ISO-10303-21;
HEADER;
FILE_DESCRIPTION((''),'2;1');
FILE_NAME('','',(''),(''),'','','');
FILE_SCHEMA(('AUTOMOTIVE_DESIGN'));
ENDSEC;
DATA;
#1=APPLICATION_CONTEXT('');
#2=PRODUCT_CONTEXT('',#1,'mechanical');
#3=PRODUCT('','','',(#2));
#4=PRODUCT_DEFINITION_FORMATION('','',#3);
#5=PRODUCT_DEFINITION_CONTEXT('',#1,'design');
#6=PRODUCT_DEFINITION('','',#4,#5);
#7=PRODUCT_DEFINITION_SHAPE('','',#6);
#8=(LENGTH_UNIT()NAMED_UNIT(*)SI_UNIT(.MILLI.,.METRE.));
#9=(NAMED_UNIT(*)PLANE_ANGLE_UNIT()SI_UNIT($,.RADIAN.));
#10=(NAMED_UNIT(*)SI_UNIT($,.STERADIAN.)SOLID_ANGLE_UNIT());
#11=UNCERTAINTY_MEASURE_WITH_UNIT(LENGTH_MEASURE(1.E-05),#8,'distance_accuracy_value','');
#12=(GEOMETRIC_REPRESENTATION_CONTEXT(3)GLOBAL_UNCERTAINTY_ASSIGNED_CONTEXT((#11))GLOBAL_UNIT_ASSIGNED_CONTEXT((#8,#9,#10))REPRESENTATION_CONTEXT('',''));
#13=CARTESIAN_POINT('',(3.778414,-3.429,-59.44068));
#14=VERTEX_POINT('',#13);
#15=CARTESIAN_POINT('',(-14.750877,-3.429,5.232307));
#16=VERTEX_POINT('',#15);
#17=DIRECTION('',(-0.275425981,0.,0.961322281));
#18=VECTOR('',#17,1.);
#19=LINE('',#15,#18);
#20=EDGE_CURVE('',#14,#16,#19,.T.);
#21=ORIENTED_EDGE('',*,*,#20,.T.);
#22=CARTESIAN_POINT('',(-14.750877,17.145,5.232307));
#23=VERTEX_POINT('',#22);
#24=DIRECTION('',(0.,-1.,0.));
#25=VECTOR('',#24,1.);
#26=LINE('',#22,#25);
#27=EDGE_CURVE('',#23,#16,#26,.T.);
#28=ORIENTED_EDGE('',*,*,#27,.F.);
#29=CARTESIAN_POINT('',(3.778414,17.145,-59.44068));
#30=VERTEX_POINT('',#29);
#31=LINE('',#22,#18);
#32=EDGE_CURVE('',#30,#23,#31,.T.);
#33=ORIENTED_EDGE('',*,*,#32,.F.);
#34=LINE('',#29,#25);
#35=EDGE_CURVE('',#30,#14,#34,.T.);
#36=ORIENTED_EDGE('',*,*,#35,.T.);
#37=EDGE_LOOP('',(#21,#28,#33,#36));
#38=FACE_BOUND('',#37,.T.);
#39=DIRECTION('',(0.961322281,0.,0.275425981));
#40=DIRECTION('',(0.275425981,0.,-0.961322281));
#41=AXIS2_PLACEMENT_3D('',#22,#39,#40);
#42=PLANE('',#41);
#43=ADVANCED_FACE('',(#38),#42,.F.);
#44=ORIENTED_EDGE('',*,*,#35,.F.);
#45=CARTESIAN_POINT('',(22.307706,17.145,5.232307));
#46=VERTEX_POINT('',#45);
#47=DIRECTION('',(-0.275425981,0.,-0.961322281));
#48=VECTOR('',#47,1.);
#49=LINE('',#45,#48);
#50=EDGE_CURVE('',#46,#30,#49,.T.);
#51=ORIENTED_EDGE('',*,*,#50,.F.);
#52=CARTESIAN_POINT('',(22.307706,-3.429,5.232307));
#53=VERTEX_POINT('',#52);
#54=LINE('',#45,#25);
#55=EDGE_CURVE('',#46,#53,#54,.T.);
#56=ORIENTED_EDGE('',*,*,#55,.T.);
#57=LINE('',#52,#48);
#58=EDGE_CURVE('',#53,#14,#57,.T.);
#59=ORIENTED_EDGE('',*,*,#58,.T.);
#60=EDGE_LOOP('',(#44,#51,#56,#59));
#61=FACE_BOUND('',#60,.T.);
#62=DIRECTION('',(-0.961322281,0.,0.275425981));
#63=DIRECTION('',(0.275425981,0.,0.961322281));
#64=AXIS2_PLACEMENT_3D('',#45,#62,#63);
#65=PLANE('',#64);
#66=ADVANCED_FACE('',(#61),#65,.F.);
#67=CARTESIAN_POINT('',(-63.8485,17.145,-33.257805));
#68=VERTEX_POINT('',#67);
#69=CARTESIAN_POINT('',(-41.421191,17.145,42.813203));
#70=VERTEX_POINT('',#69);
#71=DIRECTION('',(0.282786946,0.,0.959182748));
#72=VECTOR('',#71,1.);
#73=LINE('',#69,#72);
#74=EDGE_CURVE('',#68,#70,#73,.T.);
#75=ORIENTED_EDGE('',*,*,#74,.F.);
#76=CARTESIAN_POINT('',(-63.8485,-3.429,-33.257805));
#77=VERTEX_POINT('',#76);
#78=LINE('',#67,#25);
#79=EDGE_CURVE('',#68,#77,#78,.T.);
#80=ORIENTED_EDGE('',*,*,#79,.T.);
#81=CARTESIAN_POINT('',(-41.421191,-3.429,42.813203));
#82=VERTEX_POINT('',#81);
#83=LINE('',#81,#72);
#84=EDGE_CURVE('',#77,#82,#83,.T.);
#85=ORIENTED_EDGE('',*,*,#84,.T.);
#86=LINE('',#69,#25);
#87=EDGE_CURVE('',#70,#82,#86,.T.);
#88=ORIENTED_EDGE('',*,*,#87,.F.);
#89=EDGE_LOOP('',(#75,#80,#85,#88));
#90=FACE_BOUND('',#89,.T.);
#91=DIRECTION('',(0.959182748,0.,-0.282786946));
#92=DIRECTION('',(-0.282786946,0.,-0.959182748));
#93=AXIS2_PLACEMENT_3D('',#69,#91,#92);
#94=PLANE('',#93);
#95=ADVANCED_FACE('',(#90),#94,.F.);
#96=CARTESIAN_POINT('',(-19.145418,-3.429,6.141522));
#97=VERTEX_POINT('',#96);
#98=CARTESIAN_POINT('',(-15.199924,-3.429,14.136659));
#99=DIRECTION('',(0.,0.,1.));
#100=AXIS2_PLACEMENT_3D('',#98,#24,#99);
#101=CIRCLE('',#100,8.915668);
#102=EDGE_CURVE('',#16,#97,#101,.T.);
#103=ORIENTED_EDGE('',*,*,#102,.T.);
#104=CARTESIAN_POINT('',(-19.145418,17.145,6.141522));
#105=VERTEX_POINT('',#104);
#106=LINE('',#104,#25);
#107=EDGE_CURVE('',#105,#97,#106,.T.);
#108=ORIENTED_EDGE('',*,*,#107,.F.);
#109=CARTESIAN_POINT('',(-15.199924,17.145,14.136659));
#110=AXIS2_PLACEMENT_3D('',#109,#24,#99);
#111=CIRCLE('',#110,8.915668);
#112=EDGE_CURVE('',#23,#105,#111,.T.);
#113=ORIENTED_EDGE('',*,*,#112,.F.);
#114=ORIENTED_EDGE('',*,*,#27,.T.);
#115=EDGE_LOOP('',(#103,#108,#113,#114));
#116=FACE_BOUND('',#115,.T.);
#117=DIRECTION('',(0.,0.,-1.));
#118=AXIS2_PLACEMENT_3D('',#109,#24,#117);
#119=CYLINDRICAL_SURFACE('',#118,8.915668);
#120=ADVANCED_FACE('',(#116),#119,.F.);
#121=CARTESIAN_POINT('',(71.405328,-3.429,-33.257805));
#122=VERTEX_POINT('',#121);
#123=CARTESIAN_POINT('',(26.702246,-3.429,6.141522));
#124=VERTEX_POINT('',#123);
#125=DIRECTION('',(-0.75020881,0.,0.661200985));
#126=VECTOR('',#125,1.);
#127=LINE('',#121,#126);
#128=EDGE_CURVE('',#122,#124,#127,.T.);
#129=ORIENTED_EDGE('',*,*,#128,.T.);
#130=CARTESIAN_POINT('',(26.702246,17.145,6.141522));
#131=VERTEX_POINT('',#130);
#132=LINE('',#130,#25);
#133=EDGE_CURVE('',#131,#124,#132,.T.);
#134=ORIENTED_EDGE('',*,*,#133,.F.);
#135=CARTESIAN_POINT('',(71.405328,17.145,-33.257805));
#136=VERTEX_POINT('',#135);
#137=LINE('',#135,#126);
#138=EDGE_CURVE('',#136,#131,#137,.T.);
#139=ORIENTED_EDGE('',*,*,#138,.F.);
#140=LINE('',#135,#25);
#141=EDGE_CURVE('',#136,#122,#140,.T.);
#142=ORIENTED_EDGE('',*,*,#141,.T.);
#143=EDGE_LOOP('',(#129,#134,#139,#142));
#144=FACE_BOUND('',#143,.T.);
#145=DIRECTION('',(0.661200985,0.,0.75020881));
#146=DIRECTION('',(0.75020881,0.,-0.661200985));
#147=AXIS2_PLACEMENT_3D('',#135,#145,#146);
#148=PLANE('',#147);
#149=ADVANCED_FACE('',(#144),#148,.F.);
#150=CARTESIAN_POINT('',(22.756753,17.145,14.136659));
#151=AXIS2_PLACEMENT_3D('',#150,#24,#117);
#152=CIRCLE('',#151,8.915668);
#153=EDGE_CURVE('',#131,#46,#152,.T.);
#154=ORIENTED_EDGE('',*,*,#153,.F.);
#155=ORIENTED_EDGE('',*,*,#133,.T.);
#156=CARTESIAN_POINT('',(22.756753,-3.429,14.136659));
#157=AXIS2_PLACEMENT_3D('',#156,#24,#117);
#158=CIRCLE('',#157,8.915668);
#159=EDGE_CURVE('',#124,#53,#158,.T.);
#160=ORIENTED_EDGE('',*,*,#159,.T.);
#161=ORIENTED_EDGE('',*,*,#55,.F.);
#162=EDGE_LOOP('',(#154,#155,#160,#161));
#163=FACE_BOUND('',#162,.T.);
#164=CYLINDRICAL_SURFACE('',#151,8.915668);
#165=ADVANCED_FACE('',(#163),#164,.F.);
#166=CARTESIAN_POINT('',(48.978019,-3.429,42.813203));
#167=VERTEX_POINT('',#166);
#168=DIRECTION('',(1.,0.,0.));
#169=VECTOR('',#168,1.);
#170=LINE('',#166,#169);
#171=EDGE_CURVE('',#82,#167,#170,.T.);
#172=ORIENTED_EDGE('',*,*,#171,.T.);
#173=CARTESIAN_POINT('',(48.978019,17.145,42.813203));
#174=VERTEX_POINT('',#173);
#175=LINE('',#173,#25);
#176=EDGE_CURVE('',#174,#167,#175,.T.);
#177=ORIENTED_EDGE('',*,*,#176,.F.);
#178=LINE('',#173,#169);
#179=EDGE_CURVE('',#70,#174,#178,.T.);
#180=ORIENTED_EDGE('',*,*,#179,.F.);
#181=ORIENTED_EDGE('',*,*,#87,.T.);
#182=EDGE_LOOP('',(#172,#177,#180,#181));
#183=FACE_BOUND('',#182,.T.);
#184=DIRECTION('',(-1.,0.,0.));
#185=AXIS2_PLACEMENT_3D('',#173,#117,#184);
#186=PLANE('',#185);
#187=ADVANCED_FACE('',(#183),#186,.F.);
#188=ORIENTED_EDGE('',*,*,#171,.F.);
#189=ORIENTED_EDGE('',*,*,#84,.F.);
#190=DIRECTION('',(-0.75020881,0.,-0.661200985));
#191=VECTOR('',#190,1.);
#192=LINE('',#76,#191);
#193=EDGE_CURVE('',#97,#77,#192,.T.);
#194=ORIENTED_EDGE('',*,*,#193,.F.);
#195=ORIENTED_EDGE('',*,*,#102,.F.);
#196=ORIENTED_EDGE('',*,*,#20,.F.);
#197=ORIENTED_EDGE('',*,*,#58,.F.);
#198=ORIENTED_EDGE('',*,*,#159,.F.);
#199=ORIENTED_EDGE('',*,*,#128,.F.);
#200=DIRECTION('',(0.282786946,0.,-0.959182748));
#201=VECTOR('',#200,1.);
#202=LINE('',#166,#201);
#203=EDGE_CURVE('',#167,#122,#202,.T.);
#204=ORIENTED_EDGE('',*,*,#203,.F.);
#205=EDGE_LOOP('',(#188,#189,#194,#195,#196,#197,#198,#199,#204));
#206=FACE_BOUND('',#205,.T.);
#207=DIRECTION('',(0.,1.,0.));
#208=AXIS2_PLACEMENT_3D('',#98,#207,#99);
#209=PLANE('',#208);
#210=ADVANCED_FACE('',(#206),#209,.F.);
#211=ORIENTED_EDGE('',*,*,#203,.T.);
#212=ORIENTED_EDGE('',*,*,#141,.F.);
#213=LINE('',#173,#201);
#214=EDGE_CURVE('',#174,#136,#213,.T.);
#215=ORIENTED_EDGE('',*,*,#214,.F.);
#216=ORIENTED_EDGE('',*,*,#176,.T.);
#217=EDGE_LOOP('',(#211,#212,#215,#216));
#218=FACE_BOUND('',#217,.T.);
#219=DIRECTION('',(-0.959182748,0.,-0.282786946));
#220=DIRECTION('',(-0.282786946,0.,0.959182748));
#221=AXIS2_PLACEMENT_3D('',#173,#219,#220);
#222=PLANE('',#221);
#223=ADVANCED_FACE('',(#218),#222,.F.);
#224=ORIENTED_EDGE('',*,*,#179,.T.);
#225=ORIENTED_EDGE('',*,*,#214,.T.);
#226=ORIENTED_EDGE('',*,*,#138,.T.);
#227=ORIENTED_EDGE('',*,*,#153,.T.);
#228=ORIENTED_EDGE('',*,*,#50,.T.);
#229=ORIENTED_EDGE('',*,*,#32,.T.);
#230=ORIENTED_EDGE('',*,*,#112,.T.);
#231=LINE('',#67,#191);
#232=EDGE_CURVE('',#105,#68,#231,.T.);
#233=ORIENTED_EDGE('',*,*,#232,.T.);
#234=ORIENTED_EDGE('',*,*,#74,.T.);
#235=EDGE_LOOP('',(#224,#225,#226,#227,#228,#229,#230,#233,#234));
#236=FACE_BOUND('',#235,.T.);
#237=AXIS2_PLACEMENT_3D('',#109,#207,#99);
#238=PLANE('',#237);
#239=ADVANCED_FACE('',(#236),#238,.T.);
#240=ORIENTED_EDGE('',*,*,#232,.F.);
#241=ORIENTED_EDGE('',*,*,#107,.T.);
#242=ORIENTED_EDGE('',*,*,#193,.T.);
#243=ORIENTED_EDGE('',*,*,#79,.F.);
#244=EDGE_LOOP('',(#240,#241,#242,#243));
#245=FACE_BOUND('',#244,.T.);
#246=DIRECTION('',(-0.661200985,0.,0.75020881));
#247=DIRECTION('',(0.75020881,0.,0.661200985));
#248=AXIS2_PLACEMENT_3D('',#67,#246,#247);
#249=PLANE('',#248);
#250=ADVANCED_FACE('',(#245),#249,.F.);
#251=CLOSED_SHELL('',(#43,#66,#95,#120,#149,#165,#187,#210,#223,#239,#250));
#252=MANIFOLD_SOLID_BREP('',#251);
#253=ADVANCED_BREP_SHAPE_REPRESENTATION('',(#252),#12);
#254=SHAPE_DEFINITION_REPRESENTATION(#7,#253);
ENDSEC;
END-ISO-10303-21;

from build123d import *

# Parameters (mm, degrees)
BOSS_EXTRUDE1_DEPTH = 13.716
SCALE1_SCALE        = 1.5


with BuildPart() as part:
    # Sketch1 → Boss-Extrude1 (new body)
    with BuildSketch(Plane(origin=(0, 0, 0), x_dir=(1, 0, 0), z_dir=(0, 1, 0))):
        with BuildLine():
            Line((33.911483948, -31.607658541), (48.863023265, 19.10634644))
            Line((48.863023265, 19.10634644), (19.060968545, -7.15987128))
            ThreePointArc((19.060968545, -7.15987128), (15.22639693, -18.310469683), (16.13127503, -6.553727794))
            Line((16.13127503, -6.553727794), (3.778414078, 36.56159637))
            Line((3.778414078, 36.56159637), (-8.574446874, -6.553727794))
            ThreePointArc((-8.574446874, -6.553727794), (-7.669568774, -18.310469683), (-11.504140389, -7.15987128))
            Line((-11.504140389, -7.15987128), (-41.306195109, 19.10634644))
            Line((-41.306195109, 19.10634644), (-26.354655792, -31.607658541))
            Line((-26.354655792, -31.607658541), (33.911483948, -31.607658541))
        make_face()
    extrude(amount=BOSS_EXTRUDE1_DEPTH)


with BuildPart() as part_1:
    # Scale1: scaled about (3.778414078, 6.858, 9.196569952)
    add(part.part.scale(SCALE1_SCALE).moved(Location((-1.889207039, -3.429, -4.598284976))))


solid = part_1.part
